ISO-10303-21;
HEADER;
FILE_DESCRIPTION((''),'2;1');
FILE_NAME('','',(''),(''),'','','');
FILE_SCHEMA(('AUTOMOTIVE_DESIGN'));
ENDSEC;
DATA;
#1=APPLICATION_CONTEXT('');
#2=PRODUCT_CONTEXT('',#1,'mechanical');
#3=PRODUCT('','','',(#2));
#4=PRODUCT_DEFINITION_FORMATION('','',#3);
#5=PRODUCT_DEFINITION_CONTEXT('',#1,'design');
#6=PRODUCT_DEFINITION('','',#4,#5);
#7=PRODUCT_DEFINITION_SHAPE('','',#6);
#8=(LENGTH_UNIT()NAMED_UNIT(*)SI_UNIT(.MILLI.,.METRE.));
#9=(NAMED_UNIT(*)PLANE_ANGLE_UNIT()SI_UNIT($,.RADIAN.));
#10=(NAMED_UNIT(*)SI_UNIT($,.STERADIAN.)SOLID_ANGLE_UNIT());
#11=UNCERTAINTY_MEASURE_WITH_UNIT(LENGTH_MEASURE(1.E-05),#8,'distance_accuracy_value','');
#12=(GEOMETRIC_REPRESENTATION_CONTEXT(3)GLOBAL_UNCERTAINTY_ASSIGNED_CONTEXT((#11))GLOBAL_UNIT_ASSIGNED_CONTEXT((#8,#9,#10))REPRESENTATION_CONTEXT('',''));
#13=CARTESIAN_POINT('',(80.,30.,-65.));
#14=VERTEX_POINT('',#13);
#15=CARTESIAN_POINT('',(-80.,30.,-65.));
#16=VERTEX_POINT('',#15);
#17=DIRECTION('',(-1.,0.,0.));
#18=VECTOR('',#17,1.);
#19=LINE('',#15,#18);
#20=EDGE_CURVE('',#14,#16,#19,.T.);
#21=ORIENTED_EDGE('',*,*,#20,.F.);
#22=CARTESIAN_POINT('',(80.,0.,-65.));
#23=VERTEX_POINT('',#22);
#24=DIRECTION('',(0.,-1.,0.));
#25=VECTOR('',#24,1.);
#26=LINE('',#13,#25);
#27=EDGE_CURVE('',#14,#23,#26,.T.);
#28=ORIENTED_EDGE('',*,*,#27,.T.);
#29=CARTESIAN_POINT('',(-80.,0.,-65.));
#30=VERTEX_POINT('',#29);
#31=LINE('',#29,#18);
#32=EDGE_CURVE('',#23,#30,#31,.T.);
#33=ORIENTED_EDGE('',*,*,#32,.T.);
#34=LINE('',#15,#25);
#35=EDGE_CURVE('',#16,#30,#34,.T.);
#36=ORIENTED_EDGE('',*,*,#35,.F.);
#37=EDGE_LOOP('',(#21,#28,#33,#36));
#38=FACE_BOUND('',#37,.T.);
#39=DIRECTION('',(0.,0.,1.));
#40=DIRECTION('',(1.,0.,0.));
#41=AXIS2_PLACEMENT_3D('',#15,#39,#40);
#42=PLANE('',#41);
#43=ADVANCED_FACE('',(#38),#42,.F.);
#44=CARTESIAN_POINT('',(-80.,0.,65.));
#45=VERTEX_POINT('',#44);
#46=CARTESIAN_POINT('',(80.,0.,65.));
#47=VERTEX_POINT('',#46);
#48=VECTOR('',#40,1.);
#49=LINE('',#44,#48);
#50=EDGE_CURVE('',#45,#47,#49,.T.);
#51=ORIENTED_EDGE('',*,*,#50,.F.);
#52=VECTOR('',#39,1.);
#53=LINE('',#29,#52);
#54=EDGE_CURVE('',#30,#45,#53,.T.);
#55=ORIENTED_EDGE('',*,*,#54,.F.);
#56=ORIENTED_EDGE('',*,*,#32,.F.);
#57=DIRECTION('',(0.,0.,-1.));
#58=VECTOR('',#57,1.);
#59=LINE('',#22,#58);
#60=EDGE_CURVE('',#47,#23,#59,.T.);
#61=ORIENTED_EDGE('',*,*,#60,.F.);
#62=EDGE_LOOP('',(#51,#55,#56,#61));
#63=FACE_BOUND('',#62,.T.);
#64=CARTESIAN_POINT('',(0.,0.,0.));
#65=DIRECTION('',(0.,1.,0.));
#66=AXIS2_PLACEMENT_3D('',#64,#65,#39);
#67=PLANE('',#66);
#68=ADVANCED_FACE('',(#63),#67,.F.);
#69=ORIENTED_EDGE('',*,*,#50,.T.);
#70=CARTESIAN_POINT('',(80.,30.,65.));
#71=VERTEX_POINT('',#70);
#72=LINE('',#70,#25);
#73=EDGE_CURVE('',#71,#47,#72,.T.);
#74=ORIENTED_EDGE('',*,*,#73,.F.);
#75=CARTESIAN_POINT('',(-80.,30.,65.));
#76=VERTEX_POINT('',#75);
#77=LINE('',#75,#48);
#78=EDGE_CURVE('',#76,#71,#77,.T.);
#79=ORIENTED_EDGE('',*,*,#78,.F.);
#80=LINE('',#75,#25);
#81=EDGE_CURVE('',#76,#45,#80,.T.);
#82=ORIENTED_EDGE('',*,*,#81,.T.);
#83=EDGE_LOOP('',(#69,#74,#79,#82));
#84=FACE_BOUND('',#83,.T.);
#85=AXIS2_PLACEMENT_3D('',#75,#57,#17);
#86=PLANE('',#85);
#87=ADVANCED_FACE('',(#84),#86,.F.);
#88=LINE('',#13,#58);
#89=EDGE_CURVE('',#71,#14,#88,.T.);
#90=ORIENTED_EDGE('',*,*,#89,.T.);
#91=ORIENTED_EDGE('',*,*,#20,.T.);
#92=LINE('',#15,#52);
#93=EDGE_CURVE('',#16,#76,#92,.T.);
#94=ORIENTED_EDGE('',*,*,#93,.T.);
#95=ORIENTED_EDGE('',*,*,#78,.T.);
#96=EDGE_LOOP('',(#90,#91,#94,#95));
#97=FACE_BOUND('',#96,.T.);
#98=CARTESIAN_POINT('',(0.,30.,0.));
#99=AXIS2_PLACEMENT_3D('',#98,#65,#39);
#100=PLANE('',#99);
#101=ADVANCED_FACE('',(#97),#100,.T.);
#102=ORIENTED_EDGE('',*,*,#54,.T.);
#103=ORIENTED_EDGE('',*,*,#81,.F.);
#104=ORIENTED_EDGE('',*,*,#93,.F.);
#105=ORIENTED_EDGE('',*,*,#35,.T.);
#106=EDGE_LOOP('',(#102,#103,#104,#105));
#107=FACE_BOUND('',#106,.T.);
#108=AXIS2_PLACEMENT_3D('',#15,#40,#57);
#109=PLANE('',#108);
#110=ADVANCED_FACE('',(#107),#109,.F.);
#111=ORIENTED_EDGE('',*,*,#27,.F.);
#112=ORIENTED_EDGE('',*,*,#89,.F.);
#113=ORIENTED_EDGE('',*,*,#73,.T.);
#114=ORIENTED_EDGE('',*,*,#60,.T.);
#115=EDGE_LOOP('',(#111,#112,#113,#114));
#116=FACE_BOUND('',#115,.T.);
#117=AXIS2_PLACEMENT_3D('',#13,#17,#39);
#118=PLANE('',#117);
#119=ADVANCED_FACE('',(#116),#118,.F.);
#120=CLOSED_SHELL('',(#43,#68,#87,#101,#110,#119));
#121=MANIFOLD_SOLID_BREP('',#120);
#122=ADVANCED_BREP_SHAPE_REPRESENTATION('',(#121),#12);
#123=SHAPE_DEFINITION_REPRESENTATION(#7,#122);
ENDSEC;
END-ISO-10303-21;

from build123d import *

# Parameters (mm, degrees)
SKETCH_1_W      = 160
SKETCH_1_H      = 130
EXTRUDE_1_DEPTH = 30


with BuildPart() as part:
    # 草图1 → 凸台-拉伸1 (new body)
    with BuildSketch(Plane(origin=(0, 0, 0), x_dir=(1, 0, 0), z_dir=(0, 1, 0))):
        Rectangle(SKETCH_1_W, SKETCH_1_H)
    extrude(amount=EXTRUDE_1_DEPTH)


solid = part.part
